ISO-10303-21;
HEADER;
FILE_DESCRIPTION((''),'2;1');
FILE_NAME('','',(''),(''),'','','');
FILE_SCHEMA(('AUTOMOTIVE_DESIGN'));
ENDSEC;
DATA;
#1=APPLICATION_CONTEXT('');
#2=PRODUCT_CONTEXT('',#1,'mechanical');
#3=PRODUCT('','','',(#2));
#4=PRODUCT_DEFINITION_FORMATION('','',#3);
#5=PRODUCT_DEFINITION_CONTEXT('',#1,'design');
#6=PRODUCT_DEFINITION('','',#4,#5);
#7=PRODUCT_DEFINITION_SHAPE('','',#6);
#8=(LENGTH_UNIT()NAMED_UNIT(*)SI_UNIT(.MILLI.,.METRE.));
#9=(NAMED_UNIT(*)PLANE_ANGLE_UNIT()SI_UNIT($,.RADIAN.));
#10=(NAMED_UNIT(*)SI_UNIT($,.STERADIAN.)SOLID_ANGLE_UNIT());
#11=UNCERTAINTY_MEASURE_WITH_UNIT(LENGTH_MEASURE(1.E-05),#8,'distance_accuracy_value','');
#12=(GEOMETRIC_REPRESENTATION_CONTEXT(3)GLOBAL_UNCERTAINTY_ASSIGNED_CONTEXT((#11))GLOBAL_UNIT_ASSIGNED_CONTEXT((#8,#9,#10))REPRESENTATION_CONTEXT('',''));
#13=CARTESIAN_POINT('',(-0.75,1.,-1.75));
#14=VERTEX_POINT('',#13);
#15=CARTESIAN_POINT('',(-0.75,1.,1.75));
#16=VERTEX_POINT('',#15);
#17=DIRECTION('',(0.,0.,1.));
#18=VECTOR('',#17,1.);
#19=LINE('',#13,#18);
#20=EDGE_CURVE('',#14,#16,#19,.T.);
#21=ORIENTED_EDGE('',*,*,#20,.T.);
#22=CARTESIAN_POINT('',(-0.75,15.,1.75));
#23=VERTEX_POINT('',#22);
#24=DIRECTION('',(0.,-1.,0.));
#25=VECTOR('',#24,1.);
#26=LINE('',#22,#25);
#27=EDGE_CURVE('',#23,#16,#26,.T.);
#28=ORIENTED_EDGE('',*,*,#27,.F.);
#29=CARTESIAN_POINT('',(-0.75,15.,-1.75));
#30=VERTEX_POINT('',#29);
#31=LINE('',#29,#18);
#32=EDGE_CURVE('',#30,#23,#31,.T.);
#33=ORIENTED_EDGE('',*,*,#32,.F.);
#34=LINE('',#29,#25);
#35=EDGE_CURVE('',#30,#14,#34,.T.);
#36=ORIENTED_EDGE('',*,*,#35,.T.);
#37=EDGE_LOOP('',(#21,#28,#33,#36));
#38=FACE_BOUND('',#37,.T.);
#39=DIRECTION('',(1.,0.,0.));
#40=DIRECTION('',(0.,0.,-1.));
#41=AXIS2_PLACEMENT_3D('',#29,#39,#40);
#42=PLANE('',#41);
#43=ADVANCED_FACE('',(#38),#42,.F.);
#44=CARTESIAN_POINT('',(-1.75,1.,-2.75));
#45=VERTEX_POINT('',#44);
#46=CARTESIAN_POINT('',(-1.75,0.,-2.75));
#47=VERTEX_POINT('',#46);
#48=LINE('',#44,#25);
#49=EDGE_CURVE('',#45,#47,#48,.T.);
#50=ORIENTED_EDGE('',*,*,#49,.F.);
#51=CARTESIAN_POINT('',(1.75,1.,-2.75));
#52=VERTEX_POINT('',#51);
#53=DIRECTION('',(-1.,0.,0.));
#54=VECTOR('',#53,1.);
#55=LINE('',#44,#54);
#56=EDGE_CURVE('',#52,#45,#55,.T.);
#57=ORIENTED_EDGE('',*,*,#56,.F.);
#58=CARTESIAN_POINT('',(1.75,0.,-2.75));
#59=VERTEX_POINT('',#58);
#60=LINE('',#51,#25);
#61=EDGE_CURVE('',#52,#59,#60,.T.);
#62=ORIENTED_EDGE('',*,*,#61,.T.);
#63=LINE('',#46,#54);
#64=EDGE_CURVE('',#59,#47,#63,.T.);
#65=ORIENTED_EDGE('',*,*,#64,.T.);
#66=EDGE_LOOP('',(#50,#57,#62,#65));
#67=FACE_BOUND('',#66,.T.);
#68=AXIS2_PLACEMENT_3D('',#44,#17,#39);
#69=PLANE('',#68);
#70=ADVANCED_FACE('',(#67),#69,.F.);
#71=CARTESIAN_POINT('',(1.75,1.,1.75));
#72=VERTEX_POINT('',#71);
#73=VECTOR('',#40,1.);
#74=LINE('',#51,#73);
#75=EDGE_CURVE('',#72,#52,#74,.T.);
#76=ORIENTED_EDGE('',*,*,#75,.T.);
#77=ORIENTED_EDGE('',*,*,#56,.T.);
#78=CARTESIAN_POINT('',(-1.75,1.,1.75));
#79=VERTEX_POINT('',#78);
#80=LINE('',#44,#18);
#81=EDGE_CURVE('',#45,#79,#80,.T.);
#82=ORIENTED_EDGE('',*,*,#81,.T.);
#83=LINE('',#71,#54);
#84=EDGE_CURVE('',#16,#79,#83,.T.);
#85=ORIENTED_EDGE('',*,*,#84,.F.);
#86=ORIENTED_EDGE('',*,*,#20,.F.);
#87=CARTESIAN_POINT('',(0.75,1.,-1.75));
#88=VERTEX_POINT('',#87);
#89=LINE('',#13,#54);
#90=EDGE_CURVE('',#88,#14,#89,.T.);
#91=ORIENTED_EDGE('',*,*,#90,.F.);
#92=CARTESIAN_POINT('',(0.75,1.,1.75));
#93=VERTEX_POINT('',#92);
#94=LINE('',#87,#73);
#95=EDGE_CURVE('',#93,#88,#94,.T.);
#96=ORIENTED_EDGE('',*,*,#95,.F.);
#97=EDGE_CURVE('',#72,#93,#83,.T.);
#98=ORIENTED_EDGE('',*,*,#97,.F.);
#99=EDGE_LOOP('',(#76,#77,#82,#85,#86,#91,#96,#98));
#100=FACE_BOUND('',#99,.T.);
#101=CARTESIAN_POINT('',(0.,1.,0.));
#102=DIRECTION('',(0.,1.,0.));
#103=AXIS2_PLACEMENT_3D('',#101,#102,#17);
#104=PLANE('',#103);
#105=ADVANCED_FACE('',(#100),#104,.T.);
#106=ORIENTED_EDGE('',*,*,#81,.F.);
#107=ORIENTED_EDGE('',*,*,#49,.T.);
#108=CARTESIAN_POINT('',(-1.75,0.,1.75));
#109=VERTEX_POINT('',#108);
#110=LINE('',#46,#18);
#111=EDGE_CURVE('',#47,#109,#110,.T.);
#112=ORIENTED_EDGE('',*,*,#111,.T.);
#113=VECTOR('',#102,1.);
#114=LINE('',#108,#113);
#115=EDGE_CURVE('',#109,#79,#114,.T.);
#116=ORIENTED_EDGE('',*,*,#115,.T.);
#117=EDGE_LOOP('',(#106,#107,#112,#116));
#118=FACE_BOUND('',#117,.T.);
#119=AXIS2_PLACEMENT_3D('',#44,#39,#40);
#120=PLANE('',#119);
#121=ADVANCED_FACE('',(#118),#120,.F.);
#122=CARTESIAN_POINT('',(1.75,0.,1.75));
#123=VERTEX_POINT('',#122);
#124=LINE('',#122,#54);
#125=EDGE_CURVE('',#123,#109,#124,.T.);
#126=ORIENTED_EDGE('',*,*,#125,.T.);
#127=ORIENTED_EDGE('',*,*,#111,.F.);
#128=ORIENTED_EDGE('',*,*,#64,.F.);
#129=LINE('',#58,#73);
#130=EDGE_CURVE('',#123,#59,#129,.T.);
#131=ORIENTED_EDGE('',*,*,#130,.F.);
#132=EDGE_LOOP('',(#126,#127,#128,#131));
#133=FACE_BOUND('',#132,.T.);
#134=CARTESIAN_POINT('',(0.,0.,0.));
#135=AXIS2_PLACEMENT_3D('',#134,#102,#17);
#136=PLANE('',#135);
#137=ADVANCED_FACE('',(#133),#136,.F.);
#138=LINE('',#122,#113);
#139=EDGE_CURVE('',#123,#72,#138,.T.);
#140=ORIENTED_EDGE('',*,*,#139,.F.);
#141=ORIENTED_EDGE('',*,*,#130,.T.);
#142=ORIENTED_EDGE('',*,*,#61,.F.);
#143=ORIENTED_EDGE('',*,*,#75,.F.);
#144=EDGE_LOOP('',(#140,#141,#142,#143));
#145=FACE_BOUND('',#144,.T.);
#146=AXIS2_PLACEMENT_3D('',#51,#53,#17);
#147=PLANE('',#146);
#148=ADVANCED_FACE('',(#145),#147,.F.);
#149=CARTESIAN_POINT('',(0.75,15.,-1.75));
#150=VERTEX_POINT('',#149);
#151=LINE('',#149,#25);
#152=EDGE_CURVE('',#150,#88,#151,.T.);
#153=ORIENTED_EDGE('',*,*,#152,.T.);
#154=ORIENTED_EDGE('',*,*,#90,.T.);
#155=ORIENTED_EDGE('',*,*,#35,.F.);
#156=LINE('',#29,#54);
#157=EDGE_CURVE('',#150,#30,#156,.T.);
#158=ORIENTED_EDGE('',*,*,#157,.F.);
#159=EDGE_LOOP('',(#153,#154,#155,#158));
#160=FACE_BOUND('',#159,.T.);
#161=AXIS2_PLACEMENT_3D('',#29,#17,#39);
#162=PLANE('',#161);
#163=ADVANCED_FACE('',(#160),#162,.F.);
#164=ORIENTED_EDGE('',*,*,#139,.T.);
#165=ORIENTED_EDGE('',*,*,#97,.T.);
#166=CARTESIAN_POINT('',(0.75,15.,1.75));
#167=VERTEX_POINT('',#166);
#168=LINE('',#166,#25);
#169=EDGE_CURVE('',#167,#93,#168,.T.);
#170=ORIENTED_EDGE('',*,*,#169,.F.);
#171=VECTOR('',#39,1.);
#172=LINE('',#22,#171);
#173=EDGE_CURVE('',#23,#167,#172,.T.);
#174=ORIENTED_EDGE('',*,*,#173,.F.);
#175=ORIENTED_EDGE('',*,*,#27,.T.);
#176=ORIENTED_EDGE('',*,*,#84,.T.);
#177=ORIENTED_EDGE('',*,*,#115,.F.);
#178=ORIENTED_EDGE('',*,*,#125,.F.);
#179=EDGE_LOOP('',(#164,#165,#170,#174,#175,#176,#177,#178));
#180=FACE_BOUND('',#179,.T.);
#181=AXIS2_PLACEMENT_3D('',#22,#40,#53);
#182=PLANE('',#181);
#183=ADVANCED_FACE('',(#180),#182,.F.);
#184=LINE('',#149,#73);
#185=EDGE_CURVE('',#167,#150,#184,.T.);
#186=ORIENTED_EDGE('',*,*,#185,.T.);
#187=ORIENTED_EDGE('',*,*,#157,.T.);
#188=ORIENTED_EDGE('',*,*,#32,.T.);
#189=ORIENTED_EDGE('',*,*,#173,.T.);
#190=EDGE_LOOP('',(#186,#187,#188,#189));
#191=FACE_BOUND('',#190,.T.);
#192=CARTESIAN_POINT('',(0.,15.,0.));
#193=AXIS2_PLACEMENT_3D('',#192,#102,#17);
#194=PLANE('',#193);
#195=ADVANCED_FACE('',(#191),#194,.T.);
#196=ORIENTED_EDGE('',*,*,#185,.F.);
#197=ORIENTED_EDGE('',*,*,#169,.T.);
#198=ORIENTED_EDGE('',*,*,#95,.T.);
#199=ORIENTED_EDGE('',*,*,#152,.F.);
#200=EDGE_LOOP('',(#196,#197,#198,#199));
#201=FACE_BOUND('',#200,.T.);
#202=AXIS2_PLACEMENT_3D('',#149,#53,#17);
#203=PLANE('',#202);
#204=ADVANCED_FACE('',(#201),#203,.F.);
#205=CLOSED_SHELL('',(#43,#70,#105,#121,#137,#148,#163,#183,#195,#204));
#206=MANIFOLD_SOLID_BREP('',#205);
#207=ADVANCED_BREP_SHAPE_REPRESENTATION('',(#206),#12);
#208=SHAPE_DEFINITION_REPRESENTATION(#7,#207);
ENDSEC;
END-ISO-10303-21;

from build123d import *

# Parameters (mm, degrees)
SKETCH1_W           = 1.5
SKETCH1_H           = 3.5
BOSS_EXTRUDE1_DEPTH = 15
SKETCH2_W           = 3.5
SKETCH2_H           = 5.5
BOSS_EXTRUDE2_DEPTH = 1
SKETCH3_W           = 3.5
SKETCH3_H           = 1
CUT_EXTRUDE1_DEPTH  = 1


with BuildPart() as part:
    # Sketch1 → Boss-Extrude1 (new body)
    with BuildSketch(Plane(origin=(0, 0, 0), x_dir=(1, 0, 0), z_dir=(0, 1, 0))):
        Rectangle(SKETCH1_W, SKETCH1_H)
    extrude(amount=BOSS_EXTRUDE1_DEPTH)

    # Sketch2 → Boss-Extrude2 (add)
    with BuildSketch(Plane(origin=(0, 0, 0), x_dir=(1, 0, 0), z_dir=(0, 1, 0))):
        Rectangle(SKETCH2_W, SKETCH2_H)
    extrude(amount=BOSS_EXTRUDE2_DEPTH)

    # Sketch3 → Cut-Extrude1 (cut)
    with BuildSketch(Plane(origin=(0, 1, 0), x_dir=(1, 0, 0), z_dir=(0, 1, 0))):
        with Locations((0, -2.25)):
            Rectangle(SKETCH3_W, SKETCH3_H)
    extrude(amount=-CUT_EXTRUDE1_DEPTH, mode=Mode.SUBTRACT)


solid = part.part
